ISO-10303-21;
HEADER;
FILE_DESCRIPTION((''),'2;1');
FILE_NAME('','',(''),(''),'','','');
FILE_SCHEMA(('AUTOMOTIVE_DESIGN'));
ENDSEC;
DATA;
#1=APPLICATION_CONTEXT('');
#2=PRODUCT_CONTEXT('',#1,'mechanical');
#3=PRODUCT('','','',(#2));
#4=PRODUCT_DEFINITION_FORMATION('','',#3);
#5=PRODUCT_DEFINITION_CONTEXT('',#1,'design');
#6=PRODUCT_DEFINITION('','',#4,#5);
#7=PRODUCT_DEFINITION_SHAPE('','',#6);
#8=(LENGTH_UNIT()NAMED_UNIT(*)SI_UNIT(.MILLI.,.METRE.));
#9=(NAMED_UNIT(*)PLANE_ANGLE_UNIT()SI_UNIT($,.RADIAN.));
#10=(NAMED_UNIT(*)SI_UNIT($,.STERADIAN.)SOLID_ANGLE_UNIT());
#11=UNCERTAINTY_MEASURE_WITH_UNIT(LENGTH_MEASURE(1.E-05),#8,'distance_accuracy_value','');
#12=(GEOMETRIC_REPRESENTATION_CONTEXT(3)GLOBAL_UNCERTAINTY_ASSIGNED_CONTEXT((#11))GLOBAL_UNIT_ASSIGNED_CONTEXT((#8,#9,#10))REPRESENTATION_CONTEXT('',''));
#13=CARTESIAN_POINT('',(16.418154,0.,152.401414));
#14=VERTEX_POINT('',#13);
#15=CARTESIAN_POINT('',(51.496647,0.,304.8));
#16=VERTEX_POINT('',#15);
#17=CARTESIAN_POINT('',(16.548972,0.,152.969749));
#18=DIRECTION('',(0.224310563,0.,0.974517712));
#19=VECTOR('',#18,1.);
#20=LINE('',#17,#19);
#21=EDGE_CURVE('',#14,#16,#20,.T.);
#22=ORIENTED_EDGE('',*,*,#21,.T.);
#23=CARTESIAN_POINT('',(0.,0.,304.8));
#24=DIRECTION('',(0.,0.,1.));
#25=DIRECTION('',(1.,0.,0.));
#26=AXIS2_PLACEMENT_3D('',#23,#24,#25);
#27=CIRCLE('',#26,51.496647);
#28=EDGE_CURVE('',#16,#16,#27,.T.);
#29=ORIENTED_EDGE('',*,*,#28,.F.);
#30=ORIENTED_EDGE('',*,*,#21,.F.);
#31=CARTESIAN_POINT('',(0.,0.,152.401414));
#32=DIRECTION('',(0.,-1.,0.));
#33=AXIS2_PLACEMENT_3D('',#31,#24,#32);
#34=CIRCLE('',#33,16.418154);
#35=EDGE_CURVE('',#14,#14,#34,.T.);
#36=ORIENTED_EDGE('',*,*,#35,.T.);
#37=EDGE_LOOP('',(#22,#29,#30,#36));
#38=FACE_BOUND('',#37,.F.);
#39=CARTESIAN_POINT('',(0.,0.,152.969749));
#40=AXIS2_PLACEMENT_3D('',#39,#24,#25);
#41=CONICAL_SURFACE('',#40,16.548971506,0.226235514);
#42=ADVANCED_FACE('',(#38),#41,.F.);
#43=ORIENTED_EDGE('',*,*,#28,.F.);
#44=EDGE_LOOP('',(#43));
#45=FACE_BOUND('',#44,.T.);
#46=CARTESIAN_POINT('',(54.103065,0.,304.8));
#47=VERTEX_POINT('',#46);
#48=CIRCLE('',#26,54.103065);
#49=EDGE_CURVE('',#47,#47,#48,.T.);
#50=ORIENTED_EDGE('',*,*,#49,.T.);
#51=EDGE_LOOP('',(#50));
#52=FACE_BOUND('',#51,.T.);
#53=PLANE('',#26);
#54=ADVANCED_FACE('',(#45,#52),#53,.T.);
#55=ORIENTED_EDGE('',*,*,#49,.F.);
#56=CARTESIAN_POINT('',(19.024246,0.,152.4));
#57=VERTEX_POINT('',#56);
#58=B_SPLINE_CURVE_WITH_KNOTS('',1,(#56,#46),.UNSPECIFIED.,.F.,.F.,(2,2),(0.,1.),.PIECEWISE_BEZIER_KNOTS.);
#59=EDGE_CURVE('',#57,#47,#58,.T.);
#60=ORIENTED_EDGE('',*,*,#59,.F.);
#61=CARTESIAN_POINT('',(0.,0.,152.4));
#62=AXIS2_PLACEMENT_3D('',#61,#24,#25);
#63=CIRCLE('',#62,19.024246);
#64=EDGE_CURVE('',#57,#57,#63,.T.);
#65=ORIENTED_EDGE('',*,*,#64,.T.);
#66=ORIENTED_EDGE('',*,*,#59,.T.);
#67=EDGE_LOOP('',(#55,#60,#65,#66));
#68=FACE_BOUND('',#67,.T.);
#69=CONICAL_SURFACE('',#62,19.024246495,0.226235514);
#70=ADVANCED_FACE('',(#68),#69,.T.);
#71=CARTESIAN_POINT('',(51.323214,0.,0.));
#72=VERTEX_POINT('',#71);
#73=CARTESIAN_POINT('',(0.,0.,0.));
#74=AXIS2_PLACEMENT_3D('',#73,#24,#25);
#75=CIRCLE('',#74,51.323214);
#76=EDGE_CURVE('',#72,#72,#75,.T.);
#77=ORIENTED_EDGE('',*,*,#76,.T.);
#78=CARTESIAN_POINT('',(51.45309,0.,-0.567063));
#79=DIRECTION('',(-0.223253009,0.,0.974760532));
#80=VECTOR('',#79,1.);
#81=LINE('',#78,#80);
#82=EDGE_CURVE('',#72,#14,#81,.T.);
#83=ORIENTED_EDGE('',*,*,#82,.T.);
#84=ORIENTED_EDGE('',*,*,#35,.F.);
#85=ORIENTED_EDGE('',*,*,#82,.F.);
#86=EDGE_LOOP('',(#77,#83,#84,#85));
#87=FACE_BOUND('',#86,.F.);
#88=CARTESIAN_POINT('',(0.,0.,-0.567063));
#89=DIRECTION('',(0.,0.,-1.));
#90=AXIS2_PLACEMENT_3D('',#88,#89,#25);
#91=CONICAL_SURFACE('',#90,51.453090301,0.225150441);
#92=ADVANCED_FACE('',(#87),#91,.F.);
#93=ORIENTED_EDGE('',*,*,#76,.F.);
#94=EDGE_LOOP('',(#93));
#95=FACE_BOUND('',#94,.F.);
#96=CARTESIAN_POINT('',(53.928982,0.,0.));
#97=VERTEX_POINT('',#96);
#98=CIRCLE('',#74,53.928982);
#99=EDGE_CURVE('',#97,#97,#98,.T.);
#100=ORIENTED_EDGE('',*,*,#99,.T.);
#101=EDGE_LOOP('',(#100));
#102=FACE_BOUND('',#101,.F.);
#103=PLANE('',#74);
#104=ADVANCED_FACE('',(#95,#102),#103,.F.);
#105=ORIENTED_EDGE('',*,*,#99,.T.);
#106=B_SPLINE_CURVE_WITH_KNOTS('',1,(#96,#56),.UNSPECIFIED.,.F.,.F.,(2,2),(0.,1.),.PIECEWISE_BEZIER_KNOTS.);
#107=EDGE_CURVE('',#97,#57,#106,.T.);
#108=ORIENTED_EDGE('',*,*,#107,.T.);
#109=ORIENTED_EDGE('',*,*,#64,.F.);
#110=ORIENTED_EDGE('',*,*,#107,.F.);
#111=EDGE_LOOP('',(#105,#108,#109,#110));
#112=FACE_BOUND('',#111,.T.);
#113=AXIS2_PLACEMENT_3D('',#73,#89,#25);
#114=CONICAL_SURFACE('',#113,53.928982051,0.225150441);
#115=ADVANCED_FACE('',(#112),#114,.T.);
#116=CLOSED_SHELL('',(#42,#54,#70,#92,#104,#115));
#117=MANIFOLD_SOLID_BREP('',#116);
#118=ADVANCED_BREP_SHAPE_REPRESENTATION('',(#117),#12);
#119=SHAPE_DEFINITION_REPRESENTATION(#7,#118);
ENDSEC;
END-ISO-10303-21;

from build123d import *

# Parameters (mm, degrees)
F0_R      = 53.9289820513
F2_R      = 19.024246495
F3_FACE_R = 19.024246495
F5_R      = 54.1030648608
F7_T      = -2.54


with BuildPart() as f3:
    # F0 (on Top) → F3 section 0
    with BuildSketch(Plane.XY):
        Circle(F0_R)
    # F2 (on offset) → F3 section 1
    with BuildSketch(Plane.XY.offset(152.4)):
        Circle(F2_R)
    loft()

    # F3_face (on face) → F6 section 0
    with BuildSketch(Plane.XY.offset(152.4)):
        Circle(F3_FACE_R)
    # F5 (on offset) → F6 section 1
    with BuildSketch(Plane.XY.offset(304.8)):
        Circle(F5_R)
    loft()

    # F7
    f7_openings = [f3.faces().sort_by_distance(p)[0] for p in [
        (0, 0, 304.8),
        (0, 0, 0),
    ]]
    offset(amount=F7_T, openings=f7_openings, kind=Kind.INTERSECTION)


solid = f3.part
